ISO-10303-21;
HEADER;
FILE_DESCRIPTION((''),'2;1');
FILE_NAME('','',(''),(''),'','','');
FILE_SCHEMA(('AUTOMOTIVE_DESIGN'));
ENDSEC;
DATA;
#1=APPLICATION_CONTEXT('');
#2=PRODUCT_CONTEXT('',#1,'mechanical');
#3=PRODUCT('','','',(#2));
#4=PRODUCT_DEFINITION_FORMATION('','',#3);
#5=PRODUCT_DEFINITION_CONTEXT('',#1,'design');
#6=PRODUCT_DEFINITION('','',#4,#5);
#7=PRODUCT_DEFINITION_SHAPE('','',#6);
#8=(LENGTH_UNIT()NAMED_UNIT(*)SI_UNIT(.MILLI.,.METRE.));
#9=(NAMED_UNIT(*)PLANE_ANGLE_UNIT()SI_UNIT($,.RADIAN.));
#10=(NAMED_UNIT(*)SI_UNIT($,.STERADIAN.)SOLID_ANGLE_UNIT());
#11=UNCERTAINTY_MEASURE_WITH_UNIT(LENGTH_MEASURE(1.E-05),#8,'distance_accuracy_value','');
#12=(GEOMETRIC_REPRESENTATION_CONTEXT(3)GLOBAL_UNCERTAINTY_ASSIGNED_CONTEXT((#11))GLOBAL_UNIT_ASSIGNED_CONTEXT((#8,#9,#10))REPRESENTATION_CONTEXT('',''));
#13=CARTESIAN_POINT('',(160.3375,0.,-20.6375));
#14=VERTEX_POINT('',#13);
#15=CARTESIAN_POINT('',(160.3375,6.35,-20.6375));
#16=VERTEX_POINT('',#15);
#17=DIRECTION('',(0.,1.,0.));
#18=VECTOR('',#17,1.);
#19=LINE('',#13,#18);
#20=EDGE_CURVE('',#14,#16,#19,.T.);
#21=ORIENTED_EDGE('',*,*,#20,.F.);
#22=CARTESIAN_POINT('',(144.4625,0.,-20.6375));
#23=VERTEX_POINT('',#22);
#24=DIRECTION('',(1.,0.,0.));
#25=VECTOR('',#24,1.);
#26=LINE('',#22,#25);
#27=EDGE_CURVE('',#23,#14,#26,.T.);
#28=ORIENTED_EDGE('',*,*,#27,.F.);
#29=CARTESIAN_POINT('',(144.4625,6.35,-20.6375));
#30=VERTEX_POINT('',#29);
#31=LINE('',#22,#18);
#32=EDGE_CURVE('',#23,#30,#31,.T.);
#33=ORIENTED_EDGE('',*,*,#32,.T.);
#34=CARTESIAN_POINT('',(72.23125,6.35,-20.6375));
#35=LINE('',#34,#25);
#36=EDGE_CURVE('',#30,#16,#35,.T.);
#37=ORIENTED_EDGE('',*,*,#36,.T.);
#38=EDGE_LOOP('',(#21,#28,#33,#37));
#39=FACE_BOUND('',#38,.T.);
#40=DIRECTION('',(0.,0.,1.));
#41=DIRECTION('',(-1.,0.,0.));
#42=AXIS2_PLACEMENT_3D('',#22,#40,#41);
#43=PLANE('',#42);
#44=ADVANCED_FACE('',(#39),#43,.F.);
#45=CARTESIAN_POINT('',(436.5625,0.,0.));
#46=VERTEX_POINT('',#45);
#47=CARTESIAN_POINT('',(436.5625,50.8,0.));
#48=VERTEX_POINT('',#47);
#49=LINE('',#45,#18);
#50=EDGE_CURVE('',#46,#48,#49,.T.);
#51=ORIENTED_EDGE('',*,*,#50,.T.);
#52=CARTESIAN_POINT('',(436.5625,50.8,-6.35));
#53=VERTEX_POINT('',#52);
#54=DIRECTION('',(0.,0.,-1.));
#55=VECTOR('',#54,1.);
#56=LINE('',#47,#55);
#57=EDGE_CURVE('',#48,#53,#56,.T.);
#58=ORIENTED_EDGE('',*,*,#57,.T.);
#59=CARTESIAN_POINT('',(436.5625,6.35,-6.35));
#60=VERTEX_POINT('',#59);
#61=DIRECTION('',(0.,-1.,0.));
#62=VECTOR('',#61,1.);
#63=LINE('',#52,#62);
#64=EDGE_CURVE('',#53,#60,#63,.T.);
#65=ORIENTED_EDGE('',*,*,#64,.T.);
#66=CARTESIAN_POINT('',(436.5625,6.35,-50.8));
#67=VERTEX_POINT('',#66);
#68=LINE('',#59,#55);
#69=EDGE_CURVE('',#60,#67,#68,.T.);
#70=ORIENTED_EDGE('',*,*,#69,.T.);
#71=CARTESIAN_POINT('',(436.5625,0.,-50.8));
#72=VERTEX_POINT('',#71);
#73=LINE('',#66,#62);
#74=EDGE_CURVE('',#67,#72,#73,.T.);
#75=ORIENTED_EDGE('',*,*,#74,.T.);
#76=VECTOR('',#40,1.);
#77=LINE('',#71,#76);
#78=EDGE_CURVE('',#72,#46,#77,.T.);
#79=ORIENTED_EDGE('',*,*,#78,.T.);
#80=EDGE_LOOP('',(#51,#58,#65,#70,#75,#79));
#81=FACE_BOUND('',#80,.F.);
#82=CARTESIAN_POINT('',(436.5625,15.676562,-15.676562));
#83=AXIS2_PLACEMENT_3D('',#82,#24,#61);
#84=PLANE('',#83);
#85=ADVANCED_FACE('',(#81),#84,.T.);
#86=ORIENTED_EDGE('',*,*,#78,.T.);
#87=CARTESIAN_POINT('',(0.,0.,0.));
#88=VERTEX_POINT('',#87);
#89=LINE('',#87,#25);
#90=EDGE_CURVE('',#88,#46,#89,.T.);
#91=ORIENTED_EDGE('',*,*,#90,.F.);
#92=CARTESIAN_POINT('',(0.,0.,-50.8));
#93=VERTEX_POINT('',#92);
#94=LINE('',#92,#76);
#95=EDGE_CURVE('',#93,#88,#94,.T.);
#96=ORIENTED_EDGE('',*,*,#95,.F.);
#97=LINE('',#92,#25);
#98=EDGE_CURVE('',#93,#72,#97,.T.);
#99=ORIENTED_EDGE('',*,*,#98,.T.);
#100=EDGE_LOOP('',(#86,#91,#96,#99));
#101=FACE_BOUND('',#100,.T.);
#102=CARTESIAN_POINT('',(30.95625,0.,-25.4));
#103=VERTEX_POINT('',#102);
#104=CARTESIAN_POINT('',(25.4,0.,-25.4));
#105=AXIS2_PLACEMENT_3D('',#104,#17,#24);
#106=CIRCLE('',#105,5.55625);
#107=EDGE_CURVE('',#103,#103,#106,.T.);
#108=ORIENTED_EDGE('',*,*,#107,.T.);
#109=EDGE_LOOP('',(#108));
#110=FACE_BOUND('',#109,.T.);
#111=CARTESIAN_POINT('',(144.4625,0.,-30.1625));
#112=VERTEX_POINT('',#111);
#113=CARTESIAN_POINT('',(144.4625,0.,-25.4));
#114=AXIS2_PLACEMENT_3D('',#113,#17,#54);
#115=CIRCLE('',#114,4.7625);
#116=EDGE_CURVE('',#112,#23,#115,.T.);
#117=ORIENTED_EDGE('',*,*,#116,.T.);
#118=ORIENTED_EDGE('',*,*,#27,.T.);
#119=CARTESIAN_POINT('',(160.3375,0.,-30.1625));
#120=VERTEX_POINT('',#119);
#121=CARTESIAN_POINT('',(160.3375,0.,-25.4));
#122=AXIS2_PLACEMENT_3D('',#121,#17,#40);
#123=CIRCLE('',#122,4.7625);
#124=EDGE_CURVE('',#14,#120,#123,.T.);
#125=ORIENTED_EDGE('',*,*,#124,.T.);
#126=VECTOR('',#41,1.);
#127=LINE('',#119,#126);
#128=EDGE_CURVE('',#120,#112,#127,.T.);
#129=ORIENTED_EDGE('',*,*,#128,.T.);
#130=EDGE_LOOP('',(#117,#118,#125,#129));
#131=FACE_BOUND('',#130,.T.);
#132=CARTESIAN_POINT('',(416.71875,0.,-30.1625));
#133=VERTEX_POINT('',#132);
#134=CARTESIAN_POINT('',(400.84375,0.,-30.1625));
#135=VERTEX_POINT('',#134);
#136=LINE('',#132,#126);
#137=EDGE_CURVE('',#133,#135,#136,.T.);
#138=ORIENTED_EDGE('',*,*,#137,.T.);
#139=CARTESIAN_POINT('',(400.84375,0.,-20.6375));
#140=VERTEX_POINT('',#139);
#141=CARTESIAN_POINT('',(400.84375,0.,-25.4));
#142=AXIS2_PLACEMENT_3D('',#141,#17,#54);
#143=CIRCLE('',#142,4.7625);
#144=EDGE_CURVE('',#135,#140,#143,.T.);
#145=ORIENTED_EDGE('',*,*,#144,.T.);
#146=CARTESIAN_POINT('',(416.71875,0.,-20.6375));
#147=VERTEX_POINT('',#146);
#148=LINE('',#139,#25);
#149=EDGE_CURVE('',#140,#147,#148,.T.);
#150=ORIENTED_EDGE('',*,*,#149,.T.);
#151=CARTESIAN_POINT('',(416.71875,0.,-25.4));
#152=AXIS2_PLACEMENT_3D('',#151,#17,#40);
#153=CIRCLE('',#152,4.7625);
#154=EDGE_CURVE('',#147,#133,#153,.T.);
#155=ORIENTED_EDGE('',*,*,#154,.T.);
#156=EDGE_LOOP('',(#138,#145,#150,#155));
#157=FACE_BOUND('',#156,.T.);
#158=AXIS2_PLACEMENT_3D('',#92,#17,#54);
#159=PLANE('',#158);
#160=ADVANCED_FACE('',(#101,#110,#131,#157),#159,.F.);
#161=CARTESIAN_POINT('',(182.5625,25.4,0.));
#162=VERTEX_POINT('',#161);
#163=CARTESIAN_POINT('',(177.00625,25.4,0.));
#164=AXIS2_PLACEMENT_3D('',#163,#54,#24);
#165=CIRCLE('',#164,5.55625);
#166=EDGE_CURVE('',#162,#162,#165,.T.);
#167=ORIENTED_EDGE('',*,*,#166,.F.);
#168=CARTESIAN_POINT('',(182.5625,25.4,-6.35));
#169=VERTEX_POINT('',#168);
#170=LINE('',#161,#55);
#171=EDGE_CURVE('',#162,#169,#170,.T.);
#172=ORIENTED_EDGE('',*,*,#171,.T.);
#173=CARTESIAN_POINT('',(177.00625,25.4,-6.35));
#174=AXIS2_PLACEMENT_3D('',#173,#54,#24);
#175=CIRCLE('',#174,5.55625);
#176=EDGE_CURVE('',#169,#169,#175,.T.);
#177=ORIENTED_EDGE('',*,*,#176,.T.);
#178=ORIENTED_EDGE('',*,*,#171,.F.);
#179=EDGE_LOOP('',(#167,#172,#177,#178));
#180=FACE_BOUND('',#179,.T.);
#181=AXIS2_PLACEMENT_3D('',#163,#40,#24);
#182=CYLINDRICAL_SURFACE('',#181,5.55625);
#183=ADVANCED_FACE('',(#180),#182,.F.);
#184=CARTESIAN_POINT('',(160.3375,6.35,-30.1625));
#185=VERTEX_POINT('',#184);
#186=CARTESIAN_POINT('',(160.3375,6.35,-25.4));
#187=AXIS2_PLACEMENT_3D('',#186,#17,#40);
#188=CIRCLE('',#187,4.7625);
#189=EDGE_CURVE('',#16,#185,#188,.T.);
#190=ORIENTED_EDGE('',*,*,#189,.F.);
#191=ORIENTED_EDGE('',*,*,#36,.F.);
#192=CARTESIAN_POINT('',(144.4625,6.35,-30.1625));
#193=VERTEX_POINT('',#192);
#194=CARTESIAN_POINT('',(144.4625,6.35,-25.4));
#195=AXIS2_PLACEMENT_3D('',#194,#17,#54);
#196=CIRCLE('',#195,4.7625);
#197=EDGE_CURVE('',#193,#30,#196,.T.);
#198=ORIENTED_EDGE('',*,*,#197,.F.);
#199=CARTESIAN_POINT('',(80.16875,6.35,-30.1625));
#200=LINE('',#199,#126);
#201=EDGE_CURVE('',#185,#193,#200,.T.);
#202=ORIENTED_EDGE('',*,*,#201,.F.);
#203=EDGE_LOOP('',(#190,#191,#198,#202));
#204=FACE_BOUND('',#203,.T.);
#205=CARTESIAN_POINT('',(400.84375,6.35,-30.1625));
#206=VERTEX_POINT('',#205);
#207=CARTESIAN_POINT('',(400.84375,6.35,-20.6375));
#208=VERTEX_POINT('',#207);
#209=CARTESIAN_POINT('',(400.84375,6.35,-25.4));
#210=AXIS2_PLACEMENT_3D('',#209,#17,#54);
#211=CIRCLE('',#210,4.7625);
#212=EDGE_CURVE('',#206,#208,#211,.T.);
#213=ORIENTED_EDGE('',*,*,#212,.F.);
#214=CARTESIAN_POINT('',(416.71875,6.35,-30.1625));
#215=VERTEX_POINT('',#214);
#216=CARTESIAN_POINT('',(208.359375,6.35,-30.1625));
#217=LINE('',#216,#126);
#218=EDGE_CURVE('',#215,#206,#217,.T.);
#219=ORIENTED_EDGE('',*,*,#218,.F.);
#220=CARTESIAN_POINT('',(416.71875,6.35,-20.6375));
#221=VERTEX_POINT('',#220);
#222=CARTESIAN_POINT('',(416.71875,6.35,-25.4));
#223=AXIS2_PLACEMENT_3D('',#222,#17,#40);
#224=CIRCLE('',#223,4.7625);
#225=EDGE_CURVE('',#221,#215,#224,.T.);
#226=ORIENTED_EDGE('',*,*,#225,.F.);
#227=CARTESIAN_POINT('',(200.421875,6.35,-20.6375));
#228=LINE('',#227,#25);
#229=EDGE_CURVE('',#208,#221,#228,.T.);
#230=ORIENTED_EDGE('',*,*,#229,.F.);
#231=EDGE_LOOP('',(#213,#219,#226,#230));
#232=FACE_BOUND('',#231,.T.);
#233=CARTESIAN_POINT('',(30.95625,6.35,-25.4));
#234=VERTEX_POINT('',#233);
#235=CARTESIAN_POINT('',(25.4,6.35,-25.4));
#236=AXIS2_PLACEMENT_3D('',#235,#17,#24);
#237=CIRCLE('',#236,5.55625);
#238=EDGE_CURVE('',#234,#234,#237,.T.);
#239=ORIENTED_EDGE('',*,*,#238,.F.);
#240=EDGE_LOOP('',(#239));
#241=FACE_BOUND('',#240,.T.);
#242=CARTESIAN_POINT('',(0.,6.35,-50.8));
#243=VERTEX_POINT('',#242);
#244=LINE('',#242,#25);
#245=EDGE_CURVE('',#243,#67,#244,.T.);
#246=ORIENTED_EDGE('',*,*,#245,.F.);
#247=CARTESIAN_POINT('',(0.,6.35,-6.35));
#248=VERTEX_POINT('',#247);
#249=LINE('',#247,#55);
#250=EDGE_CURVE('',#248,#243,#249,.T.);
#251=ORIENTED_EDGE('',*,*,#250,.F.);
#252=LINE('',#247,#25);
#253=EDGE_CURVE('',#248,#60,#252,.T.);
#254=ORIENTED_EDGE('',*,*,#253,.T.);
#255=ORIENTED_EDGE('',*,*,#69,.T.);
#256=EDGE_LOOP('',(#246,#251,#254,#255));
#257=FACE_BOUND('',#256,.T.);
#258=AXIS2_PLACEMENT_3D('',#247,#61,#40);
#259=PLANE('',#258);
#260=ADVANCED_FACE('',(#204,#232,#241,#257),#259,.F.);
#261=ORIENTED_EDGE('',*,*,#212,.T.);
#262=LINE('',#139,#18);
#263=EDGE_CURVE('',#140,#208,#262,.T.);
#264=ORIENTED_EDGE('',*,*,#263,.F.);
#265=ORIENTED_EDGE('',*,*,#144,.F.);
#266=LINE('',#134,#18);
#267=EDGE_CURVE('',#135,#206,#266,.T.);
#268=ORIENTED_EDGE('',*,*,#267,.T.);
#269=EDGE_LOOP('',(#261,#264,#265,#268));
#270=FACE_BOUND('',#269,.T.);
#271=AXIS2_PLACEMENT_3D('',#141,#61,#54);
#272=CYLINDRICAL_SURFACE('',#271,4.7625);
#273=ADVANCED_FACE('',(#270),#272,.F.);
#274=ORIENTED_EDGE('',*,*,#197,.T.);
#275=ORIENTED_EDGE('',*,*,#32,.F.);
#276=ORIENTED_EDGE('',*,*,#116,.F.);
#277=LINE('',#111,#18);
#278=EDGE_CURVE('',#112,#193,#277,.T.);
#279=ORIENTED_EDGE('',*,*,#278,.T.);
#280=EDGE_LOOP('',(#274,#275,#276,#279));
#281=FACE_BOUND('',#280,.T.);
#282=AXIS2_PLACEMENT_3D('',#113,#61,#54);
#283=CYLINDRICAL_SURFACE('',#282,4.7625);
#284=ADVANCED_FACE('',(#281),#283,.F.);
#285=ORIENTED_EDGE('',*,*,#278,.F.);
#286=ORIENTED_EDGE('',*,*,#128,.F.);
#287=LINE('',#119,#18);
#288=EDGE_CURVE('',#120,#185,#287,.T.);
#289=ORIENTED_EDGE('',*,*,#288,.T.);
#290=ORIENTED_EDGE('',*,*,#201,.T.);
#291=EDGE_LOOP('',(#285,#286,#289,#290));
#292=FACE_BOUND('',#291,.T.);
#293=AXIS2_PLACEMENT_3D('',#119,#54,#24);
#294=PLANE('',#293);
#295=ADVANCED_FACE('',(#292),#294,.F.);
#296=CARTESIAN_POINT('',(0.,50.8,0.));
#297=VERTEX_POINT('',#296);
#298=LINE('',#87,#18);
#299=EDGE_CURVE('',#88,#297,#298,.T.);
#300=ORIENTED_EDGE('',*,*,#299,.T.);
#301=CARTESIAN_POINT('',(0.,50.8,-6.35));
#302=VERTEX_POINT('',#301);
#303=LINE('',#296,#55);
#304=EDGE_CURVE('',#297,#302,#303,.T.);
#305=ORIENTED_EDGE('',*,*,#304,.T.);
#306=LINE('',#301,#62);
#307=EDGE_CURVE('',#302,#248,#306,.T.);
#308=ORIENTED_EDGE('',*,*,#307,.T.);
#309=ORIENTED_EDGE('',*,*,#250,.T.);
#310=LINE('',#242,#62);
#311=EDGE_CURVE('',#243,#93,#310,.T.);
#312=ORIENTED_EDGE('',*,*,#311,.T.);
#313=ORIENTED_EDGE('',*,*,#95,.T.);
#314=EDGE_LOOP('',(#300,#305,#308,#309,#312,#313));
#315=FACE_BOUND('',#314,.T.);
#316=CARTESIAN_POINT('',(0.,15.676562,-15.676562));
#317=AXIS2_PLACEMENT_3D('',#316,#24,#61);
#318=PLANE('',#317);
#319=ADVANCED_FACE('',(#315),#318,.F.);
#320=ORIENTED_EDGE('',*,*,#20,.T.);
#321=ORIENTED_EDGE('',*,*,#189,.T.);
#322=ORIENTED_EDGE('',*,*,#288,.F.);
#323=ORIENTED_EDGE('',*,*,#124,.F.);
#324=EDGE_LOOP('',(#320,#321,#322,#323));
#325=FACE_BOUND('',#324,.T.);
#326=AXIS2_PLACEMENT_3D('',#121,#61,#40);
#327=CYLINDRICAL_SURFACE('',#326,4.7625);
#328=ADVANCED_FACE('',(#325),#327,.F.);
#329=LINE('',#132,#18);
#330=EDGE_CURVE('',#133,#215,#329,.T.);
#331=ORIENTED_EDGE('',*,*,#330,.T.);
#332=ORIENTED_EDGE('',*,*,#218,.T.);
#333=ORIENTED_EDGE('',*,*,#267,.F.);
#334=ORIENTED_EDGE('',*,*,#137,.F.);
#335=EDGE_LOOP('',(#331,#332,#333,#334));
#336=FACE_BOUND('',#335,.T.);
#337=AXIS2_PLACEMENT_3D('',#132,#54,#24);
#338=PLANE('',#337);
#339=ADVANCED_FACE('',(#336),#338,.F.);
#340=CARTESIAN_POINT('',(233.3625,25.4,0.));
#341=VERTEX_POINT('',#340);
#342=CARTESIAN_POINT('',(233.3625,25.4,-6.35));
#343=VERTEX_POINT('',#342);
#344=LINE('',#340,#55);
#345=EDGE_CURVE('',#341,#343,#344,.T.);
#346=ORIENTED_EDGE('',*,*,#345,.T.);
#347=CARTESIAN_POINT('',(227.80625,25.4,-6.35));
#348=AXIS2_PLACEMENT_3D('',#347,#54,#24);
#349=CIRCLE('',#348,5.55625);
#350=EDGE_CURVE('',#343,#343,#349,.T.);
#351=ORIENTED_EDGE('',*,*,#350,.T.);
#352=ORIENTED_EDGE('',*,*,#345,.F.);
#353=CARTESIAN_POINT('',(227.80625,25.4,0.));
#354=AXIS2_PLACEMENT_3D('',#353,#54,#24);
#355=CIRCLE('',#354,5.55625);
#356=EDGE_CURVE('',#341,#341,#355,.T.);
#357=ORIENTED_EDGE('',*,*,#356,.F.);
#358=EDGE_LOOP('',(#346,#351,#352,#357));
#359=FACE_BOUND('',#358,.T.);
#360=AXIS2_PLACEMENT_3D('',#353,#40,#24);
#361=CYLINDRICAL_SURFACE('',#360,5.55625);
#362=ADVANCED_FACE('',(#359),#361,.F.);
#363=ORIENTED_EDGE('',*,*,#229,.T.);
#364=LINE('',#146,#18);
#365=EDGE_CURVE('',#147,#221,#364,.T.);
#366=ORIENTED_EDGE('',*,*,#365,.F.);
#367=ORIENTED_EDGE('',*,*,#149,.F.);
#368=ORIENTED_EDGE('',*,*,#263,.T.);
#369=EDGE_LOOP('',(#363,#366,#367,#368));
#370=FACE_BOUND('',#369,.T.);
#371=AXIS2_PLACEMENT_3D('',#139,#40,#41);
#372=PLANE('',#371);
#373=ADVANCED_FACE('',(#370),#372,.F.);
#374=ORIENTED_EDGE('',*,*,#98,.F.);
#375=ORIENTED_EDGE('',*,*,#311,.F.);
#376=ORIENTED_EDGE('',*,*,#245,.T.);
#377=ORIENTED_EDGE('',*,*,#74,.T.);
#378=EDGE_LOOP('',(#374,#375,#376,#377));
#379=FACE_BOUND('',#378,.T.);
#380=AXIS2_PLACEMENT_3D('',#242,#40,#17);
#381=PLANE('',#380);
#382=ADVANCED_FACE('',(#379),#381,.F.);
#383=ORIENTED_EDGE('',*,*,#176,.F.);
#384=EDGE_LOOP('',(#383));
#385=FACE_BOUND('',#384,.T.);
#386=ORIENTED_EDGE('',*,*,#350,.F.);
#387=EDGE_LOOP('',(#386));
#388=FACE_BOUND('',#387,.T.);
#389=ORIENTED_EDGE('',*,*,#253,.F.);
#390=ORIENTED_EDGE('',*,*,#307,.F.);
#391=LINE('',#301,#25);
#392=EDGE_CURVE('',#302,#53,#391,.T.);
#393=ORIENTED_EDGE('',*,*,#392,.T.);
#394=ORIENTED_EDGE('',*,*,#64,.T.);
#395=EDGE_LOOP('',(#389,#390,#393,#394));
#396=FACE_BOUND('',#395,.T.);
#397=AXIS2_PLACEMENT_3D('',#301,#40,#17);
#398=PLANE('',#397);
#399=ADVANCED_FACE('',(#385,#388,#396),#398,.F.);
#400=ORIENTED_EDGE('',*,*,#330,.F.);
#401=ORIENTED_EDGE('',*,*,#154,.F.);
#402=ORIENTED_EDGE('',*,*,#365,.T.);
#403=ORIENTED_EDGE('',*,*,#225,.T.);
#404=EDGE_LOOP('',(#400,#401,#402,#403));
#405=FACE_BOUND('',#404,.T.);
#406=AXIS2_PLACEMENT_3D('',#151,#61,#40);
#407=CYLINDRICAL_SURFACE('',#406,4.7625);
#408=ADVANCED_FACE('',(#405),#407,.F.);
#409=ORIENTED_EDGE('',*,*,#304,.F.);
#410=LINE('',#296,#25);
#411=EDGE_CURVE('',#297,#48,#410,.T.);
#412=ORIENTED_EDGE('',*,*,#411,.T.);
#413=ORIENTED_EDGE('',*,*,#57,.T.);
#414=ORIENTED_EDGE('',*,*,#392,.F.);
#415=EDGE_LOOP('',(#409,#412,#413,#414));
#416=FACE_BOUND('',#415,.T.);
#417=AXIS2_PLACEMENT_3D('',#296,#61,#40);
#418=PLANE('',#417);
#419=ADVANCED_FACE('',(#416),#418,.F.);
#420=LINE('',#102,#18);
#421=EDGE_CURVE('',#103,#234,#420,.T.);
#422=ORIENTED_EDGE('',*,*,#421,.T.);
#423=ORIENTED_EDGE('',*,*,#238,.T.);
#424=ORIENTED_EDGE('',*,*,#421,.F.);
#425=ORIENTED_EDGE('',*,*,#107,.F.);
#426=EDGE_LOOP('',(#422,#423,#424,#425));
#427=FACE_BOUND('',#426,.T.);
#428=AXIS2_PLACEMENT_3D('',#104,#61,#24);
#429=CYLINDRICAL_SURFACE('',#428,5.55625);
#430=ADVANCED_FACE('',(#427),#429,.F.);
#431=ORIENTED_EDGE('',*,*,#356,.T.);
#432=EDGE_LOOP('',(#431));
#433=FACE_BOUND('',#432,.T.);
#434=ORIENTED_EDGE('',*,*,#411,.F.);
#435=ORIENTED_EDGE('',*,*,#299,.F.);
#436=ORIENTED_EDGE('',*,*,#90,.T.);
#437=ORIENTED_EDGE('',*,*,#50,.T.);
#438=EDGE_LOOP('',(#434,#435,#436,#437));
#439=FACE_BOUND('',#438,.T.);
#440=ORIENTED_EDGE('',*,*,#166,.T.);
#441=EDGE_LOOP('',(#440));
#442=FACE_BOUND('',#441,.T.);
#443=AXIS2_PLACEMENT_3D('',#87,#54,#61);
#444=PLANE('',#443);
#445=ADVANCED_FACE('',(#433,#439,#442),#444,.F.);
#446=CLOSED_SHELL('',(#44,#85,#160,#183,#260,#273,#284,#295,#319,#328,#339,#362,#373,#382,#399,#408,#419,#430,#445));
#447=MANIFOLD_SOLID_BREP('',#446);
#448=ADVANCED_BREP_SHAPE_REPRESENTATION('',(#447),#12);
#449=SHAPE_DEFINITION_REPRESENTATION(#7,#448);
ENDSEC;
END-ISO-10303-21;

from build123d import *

# Parameters (mm, degrees)
F1_DEPTH = 436.5625
F2_R     = 5.55625
F3_DEPTH = 50.801
F4_R     = 5.55625
F5_DEPTH = 50.801


with BuildPart() as f1:
    # F0 (on Right) → F1 (new body)
    with BuildSketch(Plane.YZ):
        Polygon((0, 50.8), (0, 0), (50.8, 0), (50.8, 6.35), (6.35, 6.35), (6.35, 50.8), align=None)
    extrude(amount=F1_DEPTH)

    # F2 (on face) → F3 (cut, through all)
    with BuildSketch(Plane.XZ):
        with Locations((25.4, 25.4)):
            Circle(F2_R)
        with BuildLine():
            ThreePointArc((144.4625, 30.1625), (139.7, 25.4), (144.4625, 20.6375))
            Line((144.4625, 20.6375), (160.3375, 20.6375))
            ThreePointArc((160.3375, 20.6375), (165.1, 25.4), (160.3375, 30.1625))
            Line((160.3375, 30.1625), (144.4625, 30.1625))
        make_face()
        with BuildLine():
            ThreePointArc((400.84375, 30.1625), (396.08125, 25.4), (400.84375, 20.6375))
            Line((400.84375, 20.6375), (416.71875, 20.6375))
            ThreePointArc((416.71875, 20.6375), (421.48125, 25.4), (416.71875, 30.1625))
            Line((416.71875, 30.1625), (400.84375, 30.1625))
        make_face()
    extrude(amount=-F3_DEPTH, mode=Mode.SUBTRACT)

    # F4 (on face) → F5 (cut, through all)
    with BuildSketch(Plane(origin=(0, 0, 0), x_dir=(1, 0, 0), z_dir=(0, 0, -1))):
        with Locations((227.80625, -25.4)):
            Circle(F4_R)
        with Locations((177.00625, -25.4)):
            Circle(F4_R)
    extrude(amount=-F5_DEPTH, mode=Mode.SUBTRACT)


with BuildPart() as f6_1:
    # F6: instance of F1
    add(f1.part.mirror(Plane.XY))


solid = f6_1.part
